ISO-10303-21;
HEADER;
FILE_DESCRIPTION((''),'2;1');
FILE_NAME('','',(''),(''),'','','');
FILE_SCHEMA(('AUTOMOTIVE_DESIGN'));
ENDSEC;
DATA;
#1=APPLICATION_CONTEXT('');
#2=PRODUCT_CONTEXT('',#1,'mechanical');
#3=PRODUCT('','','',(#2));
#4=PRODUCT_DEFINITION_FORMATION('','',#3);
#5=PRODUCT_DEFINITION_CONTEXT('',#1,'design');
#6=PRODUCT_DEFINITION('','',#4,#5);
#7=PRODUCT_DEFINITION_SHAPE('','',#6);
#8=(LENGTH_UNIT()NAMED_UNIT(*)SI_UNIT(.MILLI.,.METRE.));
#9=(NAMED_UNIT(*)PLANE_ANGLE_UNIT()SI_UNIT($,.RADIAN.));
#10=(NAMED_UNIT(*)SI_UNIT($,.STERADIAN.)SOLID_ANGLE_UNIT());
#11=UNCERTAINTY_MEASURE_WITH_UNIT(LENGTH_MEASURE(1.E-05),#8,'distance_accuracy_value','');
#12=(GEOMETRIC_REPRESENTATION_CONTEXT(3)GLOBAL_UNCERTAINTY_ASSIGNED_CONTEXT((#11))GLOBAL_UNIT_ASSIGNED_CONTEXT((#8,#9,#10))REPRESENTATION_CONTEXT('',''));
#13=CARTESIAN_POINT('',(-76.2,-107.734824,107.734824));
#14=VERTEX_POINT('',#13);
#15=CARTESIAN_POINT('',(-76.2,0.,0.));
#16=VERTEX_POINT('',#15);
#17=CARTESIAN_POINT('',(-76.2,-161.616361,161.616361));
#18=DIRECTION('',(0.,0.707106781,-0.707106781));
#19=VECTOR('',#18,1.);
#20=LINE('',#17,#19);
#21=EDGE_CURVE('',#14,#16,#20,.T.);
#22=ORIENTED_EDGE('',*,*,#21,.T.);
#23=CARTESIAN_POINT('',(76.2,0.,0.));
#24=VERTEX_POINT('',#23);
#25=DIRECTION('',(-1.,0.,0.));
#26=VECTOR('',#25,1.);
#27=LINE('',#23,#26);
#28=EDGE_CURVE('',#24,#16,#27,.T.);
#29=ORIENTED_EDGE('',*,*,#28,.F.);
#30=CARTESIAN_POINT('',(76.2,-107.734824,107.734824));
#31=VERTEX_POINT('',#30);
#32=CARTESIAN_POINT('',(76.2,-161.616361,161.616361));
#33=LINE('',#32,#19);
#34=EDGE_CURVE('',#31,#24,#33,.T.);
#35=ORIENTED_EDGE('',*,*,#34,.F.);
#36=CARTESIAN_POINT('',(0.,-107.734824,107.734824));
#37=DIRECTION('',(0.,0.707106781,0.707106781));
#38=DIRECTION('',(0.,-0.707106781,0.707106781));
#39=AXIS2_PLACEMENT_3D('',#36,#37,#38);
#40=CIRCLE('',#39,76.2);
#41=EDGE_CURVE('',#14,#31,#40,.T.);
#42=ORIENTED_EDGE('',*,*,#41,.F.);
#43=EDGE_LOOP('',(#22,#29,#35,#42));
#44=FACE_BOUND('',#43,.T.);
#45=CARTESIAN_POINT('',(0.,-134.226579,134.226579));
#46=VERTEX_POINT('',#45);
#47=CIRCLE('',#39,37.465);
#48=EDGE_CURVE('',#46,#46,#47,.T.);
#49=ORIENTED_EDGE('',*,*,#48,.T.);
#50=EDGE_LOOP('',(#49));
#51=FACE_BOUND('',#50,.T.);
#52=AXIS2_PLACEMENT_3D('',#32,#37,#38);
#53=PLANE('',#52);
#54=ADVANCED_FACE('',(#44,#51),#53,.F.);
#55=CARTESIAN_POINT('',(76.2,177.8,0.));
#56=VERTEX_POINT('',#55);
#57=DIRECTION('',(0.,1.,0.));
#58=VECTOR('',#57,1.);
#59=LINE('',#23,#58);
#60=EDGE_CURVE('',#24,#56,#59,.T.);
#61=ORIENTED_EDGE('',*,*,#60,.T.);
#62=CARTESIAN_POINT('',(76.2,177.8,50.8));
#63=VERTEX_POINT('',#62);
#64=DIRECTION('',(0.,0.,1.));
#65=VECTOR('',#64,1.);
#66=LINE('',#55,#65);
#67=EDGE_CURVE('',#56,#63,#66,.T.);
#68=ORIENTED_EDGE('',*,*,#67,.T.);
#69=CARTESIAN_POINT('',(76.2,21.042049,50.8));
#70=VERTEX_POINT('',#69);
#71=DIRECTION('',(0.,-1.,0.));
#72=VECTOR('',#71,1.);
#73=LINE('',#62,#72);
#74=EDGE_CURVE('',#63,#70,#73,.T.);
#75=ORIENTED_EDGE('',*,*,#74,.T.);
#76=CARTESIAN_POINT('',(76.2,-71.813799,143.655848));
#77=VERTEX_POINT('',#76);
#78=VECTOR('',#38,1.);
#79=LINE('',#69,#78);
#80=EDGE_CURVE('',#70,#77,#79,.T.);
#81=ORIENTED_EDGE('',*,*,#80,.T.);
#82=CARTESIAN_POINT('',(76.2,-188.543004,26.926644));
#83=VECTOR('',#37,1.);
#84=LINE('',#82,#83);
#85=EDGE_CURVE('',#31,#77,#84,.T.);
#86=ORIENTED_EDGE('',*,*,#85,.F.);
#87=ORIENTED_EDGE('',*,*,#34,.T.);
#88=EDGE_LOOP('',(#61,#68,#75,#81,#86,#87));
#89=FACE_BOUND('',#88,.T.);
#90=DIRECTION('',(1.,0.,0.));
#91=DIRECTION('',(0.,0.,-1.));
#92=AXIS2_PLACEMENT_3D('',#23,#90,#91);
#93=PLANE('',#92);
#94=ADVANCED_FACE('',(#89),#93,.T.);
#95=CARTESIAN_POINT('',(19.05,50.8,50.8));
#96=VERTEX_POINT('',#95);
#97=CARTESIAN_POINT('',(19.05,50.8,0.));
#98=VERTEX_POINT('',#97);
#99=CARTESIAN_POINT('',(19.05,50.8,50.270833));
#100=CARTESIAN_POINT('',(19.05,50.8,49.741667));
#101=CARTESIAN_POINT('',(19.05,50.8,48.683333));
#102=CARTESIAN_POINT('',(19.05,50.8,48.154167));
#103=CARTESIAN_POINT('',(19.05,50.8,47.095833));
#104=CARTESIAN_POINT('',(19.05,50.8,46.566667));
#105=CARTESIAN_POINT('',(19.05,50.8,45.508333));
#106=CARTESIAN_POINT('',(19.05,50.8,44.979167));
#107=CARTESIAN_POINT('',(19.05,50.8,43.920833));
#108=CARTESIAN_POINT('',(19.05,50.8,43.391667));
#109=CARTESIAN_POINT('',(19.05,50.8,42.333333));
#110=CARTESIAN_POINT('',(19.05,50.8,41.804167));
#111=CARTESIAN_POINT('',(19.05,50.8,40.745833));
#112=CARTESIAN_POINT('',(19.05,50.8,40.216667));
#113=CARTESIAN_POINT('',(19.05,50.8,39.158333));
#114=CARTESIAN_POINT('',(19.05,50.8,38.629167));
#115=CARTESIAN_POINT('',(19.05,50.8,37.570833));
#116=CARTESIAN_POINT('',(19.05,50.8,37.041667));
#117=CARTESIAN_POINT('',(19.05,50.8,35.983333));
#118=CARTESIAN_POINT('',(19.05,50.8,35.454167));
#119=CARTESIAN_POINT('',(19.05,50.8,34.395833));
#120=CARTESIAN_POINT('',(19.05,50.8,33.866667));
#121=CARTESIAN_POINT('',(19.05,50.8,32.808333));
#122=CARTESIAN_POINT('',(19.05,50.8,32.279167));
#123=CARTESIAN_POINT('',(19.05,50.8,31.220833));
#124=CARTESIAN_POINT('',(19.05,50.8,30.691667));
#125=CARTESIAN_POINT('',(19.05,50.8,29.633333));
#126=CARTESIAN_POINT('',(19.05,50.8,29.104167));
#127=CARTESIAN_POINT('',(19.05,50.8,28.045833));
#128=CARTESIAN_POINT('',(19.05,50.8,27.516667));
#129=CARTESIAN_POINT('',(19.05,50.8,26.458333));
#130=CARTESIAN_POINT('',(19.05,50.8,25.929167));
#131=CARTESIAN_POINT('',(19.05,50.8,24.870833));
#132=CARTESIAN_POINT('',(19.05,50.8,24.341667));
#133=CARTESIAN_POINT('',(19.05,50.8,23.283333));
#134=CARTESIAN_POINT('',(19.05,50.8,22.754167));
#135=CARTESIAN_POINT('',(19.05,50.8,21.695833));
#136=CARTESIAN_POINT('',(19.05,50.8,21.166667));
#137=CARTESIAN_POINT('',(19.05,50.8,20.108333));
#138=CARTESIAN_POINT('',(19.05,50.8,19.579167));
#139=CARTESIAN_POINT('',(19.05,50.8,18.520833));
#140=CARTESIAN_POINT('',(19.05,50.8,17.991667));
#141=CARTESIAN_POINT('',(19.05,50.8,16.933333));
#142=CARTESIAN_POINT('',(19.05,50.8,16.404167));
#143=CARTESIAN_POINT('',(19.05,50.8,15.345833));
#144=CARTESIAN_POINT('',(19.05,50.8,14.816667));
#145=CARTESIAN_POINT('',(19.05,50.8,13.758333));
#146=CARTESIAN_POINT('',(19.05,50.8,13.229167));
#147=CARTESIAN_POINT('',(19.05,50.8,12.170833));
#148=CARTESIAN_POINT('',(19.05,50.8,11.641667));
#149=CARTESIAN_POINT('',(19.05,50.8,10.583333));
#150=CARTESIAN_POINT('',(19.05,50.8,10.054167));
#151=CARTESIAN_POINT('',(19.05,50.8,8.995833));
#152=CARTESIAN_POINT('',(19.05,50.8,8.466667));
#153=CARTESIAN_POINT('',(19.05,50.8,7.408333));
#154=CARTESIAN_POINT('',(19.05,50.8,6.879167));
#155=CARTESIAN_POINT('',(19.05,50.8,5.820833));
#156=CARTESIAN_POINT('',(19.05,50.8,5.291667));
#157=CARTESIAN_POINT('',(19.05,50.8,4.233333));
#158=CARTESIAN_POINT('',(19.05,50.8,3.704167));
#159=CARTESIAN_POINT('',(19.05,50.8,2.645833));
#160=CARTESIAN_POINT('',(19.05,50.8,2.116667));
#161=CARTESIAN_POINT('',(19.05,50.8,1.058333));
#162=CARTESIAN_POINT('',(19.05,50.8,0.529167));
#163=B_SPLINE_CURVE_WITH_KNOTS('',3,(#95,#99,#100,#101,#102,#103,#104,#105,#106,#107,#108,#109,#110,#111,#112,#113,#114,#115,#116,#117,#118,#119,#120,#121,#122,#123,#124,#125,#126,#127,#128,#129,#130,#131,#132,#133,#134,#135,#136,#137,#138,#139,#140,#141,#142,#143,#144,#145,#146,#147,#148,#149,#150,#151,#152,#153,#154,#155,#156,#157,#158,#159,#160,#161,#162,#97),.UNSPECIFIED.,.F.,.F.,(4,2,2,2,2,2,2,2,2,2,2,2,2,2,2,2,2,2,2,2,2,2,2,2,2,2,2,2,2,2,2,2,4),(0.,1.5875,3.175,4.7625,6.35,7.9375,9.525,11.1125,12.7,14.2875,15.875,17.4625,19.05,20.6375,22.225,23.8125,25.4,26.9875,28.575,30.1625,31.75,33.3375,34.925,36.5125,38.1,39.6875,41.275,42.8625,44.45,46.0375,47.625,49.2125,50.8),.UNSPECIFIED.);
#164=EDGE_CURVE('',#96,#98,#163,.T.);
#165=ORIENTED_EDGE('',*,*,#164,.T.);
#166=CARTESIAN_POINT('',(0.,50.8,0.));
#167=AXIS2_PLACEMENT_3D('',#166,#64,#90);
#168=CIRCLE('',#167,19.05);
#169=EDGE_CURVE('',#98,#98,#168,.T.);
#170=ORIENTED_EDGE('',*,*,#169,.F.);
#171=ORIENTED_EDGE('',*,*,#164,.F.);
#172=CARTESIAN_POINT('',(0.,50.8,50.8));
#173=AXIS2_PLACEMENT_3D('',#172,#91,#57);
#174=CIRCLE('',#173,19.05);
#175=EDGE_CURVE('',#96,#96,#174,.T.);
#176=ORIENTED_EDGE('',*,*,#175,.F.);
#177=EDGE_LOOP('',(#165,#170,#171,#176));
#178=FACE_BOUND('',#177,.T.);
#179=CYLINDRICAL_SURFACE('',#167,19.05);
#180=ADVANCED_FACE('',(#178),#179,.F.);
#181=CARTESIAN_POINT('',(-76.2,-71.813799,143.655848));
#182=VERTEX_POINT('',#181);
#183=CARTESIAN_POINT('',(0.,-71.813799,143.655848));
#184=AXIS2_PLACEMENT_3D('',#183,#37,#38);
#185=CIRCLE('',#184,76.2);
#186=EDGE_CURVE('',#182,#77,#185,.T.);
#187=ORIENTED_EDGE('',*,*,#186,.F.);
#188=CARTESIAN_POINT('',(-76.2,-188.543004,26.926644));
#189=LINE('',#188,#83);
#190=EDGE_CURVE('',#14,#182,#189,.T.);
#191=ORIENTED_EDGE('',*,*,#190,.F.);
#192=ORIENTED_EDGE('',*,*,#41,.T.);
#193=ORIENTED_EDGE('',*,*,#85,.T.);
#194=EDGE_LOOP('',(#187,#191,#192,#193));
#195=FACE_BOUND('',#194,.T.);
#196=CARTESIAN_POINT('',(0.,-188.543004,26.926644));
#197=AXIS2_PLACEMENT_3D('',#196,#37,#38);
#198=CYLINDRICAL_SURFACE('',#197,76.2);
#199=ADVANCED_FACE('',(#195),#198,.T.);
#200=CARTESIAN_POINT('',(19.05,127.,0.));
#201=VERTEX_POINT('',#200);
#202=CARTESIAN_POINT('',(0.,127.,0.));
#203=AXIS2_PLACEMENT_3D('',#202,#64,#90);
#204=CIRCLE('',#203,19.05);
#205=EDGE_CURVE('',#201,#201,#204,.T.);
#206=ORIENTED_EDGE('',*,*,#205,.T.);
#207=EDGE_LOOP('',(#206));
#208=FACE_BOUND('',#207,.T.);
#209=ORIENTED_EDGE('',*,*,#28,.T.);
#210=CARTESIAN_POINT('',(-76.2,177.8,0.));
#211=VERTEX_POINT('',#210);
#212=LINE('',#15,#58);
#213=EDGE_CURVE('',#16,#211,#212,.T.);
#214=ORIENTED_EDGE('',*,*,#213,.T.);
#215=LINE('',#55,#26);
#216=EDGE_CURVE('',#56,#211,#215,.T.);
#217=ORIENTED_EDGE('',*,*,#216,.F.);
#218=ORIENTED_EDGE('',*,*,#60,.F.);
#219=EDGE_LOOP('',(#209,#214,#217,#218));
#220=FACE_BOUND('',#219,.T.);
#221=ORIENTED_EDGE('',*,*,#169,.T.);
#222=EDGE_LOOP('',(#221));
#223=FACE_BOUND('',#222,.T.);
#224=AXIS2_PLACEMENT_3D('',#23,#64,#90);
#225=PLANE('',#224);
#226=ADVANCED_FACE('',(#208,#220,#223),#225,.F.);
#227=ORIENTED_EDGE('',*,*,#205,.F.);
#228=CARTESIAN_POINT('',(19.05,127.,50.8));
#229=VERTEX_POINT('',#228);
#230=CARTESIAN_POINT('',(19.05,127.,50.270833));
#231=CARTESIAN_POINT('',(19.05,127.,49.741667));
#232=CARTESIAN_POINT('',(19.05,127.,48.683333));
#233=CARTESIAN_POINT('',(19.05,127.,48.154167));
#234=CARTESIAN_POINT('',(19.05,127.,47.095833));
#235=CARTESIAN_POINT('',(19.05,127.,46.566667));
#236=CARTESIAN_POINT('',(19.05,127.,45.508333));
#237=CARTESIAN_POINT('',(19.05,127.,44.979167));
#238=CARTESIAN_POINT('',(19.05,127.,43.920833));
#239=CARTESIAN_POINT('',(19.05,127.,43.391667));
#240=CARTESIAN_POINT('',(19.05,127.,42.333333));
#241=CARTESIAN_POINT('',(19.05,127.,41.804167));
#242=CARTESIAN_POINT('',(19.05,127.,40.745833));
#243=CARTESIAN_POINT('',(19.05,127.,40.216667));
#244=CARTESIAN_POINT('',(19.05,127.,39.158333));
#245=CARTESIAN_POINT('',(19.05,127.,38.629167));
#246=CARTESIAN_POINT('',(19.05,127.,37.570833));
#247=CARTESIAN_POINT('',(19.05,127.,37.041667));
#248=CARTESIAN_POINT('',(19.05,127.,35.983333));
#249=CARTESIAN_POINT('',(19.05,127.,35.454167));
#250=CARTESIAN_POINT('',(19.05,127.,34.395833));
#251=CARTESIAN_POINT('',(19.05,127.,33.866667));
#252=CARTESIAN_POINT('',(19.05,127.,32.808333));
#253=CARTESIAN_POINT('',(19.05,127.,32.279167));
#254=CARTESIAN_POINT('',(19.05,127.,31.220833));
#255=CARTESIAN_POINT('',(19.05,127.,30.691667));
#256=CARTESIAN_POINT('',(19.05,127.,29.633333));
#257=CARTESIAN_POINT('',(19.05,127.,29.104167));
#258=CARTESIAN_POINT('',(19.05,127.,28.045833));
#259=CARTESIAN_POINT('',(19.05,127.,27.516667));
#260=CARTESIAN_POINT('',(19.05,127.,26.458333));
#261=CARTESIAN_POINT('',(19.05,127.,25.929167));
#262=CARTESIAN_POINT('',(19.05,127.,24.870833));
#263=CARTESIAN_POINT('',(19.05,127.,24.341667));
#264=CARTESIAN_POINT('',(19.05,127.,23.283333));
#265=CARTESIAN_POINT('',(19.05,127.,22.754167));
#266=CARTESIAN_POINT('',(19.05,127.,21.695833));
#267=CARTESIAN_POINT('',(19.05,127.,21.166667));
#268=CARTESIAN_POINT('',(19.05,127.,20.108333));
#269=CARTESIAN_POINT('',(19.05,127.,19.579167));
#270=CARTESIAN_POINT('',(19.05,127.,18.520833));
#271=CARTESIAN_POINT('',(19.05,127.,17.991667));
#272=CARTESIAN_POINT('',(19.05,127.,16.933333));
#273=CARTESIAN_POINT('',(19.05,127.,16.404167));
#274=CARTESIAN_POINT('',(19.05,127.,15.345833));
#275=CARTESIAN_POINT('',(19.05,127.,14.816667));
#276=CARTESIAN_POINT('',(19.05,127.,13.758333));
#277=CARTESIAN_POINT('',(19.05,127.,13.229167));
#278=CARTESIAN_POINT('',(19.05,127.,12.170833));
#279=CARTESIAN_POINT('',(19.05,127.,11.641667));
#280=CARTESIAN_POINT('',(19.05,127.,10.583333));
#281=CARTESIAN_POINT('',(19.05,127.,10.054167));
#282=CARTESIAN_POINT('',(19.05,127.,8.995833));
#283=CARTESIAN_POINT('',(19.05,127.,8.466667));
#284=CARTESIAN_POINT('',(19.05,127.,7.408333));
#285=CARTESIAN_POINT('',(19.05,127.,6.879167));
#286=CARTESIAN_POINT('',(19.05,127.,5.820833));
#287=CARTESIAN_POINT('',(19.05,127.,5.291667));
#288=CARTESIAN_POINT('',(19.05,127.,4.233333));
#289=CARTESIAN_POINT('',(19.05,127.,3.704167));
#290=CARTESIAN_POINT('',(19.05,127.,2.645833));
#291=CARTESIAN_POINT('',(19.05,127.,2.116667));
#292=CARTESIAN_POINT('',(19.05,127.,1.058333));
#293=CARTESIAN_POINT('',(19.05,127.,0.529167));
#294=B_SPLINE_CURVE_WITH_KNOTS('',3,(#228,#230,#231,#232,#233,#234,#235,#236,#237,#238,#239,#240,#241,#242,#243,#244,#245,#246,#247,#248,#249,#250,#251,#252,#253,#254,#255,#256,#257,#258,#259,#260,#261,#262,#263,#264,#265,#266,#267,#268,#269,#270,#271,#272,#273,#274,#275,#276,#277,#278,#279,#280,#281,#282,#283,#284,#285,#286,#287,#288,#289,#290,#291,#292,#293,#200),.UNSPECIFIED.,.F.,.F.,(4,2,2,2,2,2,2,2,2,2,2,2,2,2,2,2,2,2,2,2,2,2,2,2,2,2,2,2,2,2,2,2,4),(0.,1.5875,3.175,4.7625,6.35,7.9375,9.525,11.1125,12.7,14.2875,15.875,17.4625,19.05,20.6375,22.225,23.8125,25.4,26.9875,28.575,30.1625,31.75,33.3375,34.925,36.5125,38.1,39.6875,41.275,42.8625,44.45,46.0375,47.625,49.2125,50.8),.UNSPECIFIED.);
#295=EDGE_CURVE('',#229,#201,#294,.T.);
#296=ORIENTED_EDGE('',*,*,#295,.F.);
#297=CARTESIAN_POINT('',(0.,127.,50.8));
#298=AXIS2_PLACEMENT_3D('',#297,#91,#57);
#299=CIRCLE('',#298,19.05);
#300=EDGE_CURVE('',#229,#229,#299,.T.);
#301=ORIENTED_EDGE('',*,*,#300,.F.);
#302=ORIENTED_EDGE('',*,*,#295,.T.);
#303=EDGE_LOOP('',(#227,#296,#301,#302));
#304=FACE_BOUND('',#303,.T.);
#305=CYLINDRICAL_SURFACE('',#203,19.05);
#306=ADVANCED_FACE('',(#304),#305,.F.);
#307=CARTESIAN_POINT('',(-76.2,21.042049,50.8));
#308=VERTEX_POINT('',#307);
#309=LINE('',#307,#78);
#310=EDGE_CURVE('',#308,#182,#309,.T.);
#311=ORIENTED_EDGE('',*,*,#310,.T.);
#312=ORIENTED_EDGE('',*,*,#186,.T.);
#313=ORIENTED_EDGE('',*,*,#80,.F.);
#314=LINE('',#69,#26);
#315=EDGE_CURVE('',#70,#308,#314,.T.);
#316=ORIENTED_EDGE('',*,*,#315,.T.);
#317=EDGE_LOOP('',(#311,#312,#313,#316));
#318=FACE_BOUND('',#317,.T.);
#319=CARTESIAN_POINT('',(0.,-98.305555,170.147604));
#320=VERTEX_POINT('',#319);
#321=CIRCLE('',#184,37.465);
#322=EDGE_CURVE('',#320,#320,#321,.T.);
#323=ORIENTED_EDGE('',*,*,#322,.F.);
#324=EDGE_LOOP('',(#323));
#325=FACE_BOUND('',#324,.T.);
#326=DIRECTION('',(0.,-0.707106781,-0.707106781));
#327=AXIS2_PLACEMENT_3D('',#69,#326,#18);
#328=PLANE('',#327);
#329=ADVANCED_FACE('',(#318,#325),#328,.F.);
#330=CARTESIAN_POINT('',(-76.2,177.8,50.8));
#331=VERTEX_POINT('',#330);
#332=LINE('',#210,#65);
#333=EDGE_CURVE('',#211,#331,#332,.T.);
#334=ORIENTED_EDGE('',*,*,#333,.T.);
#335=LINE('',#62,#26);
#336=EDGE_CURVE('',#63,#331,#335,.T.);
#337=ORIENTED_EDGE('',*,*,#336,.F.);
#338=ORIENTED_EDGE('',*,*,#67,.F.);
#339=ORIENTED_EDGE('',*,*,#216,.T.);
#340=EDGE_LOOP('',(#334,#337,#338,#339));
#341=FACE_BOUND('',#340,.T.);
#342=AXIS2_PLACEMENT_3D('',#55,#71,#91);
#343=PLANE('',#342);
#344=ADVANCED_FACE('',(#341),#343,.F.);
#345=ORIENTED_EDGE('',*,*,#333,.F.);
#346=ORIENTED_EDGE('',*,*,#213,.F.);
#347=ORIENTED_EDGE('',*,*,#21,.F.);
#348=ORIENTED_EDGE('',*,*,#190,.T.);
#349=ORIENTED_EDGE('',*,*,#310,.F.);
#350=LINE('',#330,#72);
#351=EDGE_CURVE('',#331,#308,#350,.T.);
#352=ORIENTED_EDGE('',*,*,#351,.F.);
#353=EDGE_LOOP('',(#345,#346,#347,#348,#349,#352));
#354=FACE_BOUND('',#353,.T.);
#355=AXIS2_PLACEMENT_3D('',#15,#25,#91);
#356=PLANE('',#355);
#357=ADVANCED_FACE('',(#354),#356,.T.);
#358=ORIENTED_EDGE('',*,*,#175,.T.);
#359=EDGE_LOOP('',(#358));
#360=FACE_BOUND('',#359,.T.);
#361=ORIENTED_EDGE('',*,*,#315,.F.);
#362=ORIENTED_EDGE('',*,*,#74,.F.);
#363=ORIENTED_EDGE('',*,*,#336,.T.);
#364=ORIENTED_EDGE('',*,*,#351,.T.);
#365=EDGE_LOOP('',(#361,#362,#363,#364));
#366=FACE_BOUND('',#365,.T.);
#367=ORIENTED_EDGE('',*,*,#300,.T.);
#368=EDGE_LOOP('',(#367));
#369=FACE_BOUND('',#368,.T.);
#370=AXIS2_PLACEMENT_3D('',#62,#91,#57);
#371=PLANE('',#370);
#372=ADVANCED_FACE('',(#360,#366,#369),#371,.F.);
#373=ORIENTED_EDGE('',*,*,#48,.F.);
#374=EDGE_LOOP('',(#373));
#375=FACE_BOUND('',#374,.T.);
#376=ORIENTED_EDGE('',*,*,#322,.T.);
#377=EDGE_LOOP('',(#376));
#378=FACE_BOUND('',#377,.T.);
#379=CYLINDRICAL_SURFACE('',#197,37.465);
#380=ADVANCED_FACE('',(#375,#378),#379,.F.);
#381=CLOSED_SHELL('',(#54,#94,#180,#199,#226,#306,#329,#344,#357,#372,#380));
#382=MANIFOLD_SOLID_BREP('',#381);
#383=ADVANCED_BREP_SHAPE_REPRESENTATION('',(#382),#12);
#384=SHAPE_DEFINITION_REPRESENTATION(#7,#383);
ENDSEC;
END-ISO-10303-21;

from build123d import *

# Parameters (mm, degrees)
BOSS_EXTRUDE1_DEPTH = 76.2
CUT_EXTRUDE1_DEPTH  = 267.359355894
SKETCH4_R           = 19.05
CUT_EXTRUDE2_DEPTH  = 243.798558814


with BuildPart() as part:
    # Sketch2 → Boss-Extrude1 (new body)
    with BuildSketch(Plane.YZ):
        Polygon((0, 0), (177.8, 0), (177.8, 50.8), (21.042048969, 50.8), (-125.69533605, 197.537385018), (-161.616360534, 161.616360534), align=None)
    extrude(amount=BOSS_EXTRUDE1_DEPTH)

    # Sketch3 → Cut-Extrude1 (cut, through all)
    with BuildSketch(Plane(origin=(0, 35.921024484, 35.921024484), x_dir=(-1, 0, 0), z_dir=(0, 0.7071067811865488, 0.7071067811865464))):
        with BuildLine():
            Line((-76.2, 228.560048969), (-76.2, 152.360048969))
            ThreePointArc((-76.2, 152.360048969), (-53.881536726, 206.241585695), (0, 228.560048969))
            Line((0, 228.560048969), (-76.2, 228.560048969))
        make_face()
        with BuildLine():
            Line((0, 114.895048969), (0, 189.825048969))
            ThreePointArc((0, 189.825048969), (-37.465, 152.360048969), (0, 114.895048969))
        make_face()
        with BuildLine():
            ThreePointArc((37.465, 152.360048969), (26.491755557, 178.851804526), (0, 189.825048969))
            Line((0, 189.825048969), (0, 114.895048969))
            ThreePointArc((0, 114.895048969), (26.491755557, 125.868293411), (37.465, 152.360048969))
        make_face()
    extrude(amount=-CUT_EXTRUDE1_DEPTH, mode=Mode.SUBTRACT)

    # Sketch4 → Cut-Extrude2 (cut, through all)
    with BuildSketch(Plane.XY.offset(50.8)):
        with Locations((0, 127)):
            Circle(SKETCH4_R)
        with Locations((0, 50.8)):
            Circle(SKETCH4_R)
    extrude(amount=-CUT_EXTRUDE2_DEPTH, mode=Mode.SUBTRACT)

    # Mirror1: part across plane


with BuildPart() as part_1:
    add(part.part)
    add(part.part.mirror(Plane(origin=(0, 0, 0), x_dir=(0, 0, 1), z_dir=(1, 0, 0))))


solid = part_1.part
